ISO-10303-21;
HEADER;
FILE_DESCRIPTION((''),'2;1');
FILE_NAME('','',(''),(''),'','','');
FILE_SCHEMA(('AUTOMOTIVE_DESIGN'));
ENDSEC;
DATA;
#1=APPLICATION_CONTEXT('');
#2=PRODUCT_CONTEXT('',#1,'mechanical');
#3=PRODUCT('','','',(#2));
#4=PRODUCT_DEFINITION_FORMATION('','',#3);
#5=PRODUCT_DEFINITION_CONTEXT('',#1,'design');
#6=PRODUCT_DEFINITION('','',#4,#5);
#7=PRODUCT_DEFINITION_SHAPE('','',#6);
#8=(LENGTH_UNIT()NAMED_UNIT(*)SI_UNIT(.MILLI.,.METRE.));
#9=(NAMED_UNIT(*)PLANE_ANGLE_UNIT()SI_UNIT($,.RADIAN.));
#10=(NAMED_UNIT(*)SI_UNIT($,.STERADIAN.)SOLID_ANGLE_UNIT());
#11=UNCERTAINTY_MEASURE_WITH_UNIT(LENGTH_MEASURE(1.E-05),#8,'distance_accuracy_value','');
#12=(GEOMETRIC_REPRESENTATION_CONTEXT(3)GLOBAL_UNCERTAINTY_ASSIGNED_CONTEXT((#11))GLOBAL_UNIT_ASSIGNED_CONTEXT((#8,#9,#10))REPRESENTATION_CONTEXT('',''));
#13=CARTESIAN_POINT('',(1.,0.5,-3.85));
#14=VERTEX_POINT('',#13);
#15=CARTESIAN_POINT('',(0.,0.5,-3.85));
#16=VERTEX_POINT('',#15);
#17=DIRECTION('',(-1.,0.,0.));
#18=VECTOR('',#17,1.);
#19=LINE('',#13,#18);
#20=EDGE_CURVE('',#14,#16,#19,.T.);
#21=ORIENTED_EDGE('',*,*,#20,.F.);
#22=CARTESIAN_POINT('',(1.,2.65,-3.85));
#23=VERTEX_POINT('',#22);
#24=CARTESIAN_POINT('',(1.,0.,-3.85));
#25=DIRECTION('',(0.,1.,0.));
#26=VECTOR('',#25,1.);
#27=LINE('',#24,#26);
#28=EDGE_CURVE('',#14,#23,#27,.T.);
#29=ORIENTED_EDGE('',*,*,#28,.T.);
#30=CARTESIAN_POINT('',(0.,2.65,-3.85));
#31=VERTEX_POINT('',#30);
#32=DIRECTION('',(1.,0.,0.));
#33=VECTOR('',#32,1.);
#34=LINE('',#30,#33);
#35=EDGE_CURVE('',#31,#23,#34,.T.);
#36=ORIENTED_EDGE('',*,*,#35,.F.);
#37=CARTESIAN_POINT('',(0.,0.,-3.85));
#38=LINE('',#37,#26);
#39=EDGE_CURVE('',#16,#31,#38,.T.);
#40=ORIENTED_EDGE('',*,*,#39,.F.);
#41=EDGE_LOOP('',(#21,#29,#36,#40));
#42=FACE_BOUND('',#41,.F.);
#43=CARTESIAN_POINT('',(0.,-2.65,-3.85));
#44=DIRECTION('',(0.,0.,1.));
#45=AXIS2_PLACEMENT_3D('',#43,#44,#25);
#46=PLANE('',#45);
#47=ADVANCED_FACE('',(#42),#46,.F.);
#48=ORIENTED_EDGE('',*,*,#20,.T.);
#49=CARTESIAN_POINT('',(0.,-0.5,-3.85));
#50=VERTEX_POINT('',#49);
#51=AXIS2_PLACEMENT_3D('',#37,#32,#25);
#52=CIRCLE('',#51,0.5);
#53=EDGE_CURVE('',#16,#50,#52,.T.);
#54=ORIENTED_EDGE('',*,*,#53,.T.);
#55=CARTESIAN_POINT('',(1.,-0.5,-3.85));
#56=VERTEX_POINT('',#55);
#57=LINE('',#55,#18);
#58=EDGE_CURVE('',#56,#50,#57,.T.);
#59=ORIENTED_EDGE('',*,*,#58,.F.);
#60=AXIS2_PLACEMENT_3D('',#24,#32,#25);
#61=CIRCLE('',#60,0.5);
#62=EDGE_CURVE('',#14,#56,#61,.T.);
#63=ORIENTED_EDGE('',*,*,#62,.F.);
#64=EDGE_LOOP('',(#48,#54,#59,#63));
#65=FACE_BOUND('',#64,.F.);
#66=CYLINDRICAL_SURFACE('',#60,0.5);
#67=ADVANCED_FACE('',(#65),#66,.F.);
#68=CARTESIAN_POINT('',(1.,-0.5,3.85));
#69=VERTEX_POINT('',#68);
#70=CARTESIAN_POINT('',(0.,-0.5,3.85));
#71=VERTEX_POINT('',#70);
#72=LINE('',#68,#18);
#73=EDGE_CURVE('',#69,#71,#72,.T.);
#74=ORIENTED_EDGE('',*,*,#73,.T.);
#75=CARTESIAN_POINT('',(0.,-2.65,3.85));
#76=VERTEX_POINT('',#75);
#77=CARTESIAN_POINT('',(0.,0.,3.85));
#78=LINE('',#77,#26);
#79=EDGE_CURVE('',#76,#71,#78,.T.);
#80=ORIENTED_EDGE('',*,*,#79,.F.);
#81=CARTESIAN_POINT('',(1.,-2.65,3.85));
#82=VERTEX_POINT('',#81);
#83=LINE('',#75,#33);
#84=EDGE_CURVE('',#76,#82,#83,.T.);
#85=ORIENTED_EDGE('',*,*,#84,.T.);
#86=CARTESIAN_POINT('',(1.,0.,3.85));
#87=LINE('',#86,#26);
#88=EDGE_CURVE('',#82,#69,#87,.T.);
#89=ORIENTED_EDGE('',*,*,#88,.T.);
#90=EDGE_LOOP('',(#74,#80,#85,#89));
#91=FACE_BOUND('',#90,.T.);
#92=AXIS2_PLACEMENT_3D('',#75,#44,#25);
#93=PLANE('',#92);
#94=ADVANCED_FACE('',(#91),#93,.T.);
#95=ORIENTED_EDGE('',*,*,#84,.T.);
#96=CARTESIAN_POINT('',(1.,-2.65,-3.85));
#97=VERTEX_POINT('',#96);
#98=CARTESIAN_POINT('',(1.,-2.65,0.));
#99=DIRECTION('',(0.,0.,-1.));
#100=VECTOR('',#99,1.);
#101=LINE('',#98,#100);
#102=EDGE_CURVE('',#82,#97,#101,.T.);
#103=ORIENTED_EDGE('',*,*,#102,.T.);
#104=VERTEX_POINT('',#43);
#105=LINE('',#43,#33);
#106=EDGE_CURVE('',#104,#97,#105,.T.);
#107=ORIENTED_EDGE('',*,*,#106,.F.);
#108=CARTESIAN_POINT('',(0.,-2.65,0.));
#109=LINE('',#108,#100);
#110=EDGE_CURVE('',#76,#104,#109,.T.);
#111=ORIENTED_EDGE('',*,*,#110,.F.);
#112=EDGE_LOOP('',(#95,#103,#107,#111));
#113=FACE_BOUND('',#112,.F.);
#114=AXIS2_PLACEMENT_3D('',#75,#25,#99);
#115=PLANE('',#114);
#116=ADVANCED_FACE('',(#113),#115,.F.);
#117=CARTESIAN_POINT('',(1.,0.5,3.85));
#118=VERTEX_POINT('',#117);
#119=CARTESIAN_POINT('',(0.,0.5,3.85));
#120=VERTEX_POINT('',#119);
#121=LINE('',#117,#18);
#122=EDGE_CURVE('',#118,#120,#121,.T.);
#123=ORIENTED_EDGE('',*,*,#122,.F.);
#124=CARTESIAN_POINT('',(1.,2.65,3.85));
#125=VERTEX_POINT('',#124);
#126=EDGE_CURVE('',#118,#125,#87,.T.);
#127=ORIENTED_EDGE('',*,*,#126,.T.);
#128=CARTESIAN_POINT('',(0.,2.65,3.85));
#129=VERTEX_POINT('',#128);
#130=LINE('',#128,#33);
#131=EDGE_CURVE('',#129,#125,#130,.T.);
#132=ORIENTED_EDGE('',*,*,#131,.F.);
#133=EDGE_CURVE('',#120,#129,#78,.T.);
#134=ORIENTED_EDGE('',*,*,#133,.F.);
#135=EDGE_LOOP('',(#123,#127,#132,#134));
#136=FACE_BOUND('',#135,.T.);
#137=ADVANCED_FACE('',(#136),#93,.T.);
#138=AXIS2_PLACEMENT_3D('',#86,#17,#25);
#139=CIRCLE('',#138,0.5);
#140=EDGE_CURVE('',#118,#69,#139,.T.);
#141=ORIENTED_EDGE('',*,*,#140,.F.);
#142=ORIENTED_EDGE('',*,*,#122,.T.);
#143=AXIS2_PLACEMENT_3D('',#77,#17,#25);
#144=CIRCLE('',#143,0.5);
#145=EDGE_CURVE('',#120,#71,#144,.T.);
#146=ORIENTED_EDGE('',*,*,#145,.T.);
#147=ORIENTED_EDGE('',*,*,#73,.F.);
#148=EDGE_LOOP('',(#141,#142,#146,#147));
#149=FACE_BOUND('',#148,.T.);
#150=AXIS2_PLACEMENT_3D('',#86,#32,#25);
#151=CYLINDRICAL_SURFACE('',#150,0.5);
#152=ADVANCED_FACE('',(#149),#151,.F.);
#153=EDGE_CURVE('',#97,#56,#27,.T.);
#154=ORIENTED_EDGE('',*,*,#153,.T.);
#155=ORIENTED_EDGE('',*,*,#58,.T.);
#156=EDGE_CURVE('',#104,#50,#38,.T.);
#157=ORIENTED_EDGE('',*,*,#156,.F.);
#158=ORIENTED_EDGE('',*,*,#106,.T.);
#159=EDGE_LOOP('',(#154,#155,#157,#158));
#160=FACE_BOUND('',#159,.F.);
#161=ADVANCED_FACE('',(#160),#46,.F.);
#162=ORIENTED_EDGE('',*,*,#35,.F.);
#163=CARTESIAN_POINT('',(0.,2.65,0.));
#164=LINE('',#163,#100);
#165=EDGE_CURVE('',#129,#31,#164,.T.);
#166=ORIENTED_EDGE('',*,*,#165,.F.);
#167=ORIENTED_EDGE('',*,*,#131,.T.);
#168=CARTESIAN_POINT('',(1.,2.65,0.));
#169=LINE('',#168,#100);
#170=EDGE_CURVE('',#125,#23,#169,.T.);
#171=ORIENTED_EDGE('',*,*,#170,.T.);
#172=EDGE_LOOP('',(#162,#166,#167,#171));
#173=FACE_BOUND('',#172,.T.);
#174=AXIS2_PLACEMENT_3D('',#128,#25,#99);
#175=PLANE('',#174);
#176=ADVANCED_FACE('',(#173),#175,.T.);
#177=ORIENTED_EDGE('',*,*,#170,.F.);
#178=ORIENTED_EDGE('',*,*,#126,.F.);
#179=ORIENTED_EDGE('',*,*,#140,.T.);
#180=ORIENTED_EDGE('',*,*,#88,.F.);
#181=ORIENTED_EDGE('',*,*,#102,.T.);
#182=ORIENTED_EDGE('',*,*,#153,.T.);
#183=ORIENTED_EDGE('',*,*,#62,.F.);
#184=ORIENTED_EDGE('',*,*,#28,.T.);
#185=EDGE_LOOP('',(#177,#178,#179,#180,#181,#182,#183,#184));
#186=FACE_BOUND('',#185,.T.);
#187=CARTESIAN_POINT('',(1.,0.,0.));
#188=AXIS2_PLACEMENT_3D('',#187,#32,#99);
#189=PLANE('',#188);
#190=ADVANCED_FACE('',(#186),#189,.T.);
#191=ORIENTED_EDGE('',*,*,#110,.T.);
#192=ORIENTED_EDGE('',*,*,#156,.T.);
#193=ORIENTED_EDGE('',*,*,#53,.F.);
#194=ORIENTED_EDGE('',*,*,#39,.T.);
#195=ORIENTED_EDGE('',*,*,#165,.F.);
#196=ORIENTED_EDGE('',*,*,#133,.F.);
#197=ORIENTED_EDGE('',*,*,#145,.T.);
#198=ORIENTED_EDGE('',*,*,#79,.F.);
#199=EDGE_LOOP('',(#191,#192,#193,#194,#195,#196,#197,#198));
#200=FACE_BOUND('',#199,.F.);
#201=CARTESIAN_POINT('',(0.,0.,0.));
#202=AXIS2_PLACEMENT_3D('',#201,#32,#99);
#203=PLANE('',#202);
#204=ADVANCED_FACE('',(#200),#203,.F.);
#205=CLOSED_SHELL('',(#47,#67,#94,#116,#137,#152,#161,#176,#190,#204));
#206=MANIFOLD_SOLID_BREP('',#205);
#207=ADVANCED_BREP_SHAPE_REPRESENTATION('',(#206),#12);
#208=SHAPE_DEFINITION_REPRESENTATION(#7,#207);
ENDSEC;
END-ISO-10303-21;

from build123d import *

# Parameters (mm, degrees)
SKETCH_1_W          = 7.7
SKETCH_1_H          = 5.3
EXTRUDE_1_DEPTH     = 1
CUT_EXTRUDE_1_DEPTH = 1


with BuildPart() as part:
    # 草图1 → 凸台-拉伸1 (new body)
    with BuildSketch(Plane(origin=(0, 0, 0), x_dir=(0, 0, -1), z_dir=(1, 0, 0))):
        Rectangle(SKETCH_1_W, SKETCH_1_H)
    extrude(amount=EXTRUDE_1_DEPTH)

    # 草图2 → 切除-拉伸1 (cut)
    with BuildSketch(Plane(origin=(1, 0, 0), x_dir=(0, 0, -1), z_dir=(1, 0, 0))):
        with BuildLine():
            Line((-3.85, -0.5), (-3.85, 0.5))
            ThreePointArc((-3.85, 0.5), (-3.35, 0), (-3.85, -0.5))
        make_face()
        with BuildLine():
            Line((3.85, -0.5), (3.85, 0.5))
            ThreePointArc((3.85, 0.5), (3.35, 0), (3.85, -0.5))
        make_face()
    extrude(amount=-CUT_EXTRUDE_1_DEPTH, mode=Mode.SUBTRACT)


solid = part.part
